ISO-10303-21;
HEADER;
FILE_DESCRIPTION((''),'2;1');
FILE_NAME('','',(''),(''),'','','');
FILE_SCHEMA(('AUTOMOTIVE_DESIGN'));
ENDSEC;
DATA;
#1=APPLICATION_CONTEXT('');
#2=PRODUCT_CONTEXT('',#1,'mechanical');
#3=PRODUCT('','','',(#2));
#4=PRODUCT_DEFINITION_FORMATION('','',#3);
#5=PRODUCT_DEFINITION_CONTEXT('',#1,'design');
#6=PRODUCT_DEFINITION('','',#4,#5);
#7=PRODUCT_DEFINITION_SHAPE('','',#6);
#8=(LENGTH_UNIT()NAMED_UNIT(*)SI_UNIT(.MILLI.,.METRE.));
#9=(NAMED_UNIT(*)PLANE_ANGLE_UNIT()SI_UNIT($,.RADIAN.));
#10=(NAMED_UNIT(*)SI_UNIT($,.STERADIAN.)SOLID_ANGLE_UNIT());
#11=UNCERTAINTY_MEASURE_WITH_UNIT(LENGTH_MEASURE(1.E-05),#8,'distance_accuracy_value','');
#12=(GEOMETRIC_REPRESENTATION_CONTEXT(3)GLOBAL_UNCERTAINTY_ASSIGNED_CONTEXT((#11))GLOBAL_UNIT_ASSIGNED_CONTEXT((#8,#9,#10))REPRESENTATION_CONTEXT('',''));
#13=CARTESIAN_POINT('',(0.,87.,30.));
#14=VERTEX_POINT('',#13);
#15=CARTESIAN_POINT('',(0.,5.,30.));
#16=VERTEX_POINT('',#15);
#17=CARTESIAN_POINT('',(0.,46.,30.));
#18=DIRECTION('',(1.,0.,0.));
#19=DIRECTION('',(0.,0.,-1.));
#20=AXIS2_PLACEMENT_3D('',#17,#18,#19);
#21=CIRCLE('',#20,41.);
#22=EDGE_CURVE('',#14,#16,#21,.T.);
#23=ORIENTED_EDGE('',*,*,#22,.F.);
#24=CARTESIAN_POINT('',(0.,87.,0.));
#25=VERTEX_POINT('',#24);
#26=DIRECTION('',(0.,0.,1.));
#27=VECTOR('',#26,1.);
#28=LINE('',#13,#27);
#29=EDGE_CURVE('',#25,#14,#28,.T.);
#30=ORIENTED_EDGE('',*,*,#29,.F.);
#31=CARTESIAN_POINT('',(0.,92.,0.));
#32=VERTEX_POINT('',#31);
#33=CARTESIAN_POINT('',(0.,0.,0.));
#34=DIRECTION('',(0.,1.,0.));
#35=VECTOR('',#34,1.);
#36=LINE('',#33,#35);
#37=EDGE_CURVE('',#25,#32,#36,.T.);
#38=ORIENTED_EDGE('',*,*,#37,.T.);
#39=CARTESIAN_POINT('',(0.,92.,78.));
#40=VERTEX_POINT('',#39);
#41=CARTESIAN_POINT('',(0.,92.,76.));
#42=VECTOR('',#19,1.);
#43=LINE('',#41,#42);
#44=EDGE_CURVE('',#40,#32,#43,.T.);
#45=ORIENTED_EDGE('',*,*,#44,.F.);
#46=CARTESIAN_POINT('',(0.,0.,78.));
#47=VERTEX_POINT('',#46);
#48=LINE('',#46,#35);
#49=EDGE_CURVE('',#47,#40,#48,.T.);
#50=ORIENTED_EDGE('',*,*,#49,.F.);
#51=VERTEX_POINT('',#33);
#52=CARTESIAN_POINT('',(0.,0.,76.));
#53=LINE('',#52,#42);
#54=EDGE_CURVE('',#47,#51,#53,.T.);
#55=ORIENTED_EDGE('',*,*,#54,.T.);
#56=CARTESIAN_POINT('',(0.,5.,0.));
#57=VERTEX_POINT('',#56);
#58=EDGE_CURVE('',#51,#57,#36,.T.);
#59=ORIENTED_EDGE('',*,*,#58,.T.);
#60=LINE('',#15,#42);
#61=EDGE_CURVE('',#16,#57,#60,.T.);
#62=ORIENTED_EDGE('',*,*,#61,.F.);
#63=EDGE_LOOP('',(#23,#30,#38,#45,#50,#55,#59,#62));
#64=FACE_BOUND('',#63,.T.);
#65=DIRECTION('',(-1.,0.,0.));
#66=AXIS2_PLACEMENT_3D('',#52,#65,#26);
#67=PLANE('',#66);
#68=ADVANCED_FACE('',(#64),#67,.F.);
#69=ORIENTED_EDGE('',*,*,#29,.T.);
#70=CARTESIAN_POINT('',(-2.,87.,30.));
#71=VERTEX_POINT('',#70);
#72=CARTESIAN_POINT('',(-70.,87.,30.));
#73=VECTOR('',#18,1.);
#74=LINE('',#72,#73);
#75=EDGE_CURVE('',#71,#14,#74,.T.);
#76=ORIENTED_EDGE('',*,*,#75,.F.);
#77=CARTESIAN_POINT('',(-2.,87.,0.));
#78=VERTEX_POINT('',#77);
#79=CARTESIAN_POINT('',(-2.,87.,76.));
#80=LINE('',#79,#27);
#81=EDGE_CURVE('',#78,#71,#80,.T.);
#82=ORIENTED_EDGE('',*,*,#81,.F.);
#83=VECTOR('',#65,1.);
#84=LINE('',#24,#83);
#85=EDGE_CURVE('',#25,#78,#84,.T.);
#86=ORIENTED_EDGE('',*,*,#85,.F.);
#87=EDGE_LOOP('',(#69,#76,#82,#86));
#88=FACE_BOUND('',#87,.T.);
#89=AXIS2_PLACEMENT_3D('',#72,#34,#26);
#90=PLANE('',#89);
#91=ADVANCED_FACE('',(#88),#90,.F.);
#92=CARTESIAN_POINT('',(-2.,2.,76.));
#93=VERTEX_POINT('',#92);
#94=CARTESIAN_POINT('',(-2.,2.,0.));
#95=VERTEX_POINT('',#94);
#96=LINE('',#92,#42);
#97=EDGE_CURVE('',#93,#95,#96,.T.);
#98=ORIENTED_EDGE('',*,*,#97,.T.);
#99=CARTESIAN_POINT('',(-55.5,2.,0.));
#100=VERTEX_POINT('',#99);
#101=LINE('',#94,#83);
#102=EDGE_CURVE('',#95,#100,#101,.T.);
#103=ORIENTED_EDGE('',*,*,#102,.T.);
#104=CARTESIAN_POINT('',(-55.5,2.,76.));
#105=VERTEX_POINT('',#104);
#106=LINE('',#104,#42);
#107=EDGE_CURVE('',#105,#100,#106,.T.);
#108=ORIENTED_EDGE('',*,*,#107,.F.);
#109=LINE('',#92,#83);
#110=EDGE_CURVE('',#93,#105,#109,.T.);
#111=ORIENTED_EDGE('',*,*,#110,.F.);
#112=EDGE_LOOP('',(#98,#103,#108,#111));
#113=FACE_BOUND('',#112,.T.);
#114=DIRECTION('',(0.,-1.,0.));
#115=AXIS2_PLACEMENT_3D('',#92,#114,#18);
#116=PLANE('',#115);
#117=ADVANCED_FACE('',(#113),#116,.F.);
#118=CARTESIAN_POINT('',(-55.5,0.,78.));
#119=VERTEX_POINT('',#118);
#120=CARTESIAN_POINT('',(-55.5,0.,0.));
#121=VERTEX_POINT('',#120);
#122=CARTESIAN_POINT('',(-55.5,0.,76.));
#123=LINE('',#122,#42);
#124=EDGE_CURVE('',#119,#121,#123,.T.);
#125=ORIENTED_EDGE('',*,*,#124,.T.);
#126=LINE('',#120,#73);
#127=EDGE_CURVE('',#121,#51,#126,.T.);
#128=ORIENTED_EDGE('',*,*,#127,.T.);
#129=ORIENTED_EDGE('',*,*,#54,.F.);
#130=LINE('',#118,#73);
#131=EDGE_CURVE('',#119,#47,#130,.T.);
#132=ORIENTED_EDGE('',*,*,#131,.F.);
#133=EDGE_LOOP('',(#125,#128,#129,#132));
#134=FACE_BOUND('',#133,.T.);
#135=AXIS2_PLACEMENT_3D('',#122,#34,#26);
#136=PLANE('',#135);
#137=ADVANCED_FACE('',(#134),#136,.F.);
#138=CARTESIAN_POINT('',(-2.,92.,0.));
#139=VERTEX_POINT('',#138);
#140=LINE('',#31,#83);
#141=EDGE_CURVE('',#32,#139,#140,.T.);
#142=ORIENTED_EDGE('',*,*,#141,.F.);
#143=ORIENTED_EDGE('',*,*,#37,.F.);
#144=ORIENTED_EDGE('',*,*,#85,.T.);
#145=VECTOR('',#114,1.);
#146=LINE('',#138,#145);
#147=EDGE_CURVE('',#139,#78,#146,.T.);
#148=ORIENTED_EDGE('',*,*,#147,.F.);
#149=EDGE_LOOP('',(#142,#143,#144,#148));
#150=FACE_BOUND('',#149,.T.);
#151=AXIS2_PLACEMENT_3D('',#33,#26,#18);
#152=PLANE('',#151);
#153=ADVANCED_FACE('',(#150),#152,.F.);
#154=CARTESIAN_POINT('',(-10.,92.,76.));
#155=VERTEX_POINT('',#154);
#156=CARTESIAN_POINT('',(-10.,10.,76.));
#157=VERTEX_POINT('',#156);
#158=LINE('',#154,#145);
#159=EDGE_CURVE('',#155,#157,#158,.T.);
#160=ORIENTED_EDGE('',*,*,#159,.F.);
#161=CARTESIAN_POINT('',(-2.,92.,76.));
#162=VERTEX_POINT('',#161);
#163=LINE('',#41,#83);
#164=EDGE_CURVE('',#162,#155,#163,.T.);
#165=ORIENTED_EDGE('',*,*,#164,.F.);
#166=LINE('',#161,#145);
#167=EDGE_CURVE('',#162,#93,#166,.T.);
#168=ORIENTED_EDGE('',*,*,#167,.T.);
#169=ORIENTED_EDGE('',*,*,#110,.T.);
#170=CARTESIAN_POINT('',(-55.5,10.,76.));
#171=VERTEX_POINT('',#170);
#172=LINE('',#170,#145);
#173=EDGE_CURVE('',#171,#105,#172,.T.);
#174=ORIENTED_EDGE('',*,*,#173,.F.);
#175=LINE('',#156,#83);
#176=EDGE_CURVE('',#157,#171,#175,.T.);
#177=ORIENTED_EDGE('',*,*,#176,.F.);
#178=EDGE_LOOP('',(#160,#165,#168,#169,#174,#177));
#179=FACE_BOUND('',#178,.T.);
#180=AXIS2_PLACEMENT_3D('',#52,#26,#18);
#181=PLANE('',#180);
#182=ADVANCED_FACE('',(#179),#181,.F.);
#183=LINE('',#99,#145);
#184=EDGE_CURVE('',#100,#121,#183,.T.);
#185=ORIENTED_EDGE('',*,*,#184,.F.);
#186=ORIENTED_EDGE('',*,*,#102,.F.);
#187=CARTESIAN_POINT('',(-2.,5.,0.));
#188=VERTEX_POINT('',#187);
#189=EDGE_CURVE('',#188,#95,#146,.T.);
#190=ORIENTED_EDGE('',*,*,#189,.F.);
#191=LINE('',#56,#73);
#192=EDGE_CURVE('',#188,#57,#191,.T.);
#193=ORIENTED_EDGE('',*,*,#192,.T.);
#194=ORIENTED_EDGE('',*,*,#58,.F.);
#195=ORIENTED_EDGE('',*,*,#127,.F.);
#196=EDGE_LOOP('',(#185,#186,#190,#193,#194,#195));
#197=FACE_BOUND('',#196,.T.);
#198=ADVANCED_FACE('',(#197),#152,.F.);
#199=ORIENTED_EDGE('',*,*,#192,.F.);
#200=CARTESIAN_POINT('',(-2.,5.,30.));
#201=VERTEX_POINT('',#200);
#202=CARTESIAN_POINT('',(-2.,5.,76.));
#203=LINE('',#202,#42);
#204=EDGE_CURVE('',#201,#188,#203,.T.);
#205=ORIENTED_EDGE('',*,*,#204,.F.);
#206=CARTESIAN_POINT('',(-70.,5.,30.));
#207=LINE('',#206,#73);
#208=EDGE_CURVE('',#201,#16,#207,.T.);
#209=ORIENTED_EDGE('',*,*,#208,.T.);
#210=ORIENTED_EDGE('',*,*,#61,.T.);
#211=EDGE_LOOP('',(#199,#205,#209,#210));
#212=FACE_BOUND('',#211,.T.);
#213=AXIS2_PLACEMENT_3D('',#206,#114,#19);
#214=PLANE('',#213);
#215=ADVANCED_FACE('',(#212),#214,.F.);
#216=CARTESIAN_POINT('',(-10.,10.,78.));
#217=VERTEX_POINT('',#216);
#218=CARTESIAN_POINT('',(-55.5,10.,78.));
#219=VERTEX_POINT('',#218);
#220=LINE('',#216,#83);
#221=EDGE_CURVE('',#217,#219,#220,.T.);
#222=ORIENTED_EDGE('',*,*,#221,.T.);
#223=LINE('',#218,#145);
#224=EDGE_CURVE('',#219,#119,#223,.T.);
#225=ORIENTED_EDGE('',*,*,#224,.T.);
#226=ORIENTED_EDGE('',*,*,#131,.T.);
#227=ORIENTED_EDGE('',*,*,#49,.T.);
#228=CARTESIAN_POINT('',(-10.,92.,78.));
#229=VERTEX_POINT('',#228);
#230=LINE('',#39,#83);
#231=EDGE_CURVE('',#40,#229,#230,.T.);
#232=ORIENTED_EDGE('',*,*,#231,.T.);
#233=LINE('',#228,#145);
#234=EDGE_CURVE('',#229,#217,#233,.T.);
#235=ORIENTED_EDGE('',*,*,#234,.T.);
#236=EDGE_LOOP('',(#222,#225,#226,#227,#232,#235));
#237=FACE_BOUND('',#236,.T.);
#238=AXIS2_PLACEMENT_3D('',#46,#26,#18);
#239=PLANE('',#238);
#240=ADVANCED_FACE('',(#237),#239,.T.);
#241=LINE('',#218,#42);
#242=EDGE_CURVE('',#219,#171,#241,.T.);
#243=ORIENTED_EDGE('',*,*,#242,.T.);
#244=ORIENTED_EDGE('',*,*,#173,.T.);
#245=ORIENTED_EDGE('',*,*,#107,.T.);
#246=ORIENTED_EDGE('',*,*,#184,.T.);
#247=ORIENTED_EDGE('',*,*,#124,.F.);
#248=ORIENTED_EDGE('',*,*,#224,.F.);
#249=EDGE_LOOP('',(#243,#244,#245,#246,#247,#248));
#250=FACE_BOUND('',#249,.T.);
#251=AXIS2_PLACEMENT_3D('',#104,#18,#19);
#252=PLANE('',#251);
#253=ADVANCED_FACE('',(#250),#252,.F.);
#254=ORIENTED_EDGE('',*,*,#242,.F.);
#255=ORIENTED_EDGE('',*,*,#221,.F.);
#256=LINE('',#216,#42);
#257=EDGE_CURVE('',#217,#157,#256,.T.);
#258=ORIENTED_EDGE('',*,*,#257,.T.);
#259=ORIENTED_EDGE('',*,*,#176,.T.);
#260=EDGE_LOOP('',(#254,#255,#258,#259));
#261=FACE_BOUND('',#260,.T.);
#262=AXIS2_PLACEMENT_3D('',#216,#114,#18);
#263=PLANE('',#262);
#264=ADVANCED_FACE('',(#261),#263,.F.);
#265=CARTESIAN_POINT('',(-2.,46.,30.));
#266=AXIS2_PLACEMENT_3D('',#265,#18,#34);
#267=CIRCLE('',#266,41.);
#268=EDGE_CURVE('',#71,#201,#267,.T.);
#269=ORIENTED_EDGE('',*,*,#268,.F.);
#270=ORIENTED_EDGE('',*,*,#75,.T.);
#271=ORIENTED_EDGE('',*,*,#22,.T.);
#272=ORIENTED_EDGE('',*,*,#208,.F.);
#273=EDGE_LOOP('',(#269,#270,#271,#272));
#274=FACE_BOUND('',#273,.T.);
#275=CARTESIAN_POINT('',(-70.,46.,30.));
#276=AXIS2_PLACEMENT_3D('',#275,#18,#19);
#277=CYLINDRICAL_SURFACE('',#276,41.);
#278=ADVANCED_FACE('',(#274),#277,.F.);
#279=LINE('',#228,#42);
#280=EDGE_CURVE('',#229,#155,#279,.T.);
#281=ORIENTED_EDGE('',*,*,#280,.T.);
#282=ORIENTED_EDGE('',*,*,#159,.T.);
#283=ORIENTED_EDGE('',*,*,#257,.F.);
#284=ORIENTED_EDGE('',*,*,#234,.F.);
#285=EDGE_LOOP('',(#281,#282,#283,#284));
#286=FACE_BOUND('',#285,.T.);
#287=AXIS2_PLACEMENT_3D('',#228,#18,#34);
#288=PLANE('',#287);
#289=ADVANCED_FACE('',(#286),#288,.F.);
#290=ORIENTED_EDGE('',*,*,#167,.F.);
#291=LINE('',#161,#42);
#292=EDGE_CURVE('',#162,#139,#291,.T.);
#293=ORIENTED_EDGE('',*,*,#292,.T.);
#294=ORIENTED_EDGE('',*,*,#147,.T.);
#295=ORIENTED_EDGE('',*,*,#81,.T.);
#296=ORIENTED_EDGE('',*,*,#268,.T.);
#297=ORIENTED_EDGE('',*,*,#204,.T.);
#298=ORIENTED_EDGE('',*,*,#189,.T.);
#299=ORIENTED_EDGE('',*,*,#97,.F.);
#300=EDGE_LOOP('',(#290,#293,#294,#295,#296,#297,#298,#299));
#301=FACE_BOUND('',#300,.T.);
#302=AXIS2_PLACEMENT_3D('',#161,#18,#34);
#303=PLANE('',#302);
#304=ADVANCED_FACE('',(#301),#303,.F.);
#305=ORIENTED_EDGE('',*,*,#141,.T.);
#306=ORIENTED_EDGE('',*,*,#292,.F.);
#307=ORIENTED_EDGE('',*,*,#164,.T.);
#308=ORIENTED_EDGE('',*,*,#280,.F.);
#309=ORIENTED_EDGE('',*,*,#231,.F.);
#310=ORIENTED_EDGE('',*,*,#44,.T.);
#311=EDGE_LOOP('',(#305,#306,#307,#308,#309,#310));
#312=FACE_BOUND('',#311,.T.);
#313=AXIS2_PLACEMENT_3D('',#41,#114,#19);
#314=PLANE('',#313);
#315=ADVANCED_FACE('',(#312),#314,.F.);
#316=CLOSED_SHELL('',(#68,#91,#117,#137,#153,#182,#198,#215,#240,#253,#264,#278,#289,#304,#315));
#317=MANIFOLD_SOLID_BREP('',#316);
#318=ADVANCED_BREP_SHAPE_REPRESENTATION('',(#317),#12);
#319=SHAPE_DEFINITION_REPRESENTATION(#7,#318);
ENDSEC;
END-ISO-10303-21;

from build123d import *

# Parameters (mm, degrees)
EXTRUDE_1_DEPTH     = 76
CUT_EXTRUDE_1_DEPTH = 70
EXTRUDE_2_DEPTH     = 2


with BuildPart() as part:
    # 草图1 → 凸台-拉伸1 (new body)
    with BuildSketch(Plane.XY):
        Polygon((-55.5, 0), (0, 0), (0, 92), (-2, 92), (-2, 2), (-55.5, 2), align=None)
    extrude(amount=EXTRUDE_1_DEPTH)

    # 草图2 → 切除-拉伸1 (cut)
    with BuildSketch(Plane(origin=(0, 0, 0), x_dir=(0, 0, -1), z_dir=(1, 0, 0))):
        with BuildLine():
            Line((-30, 5), (0, 5))
            Line((0, 5), (0, 87))
            Line((0, 87), (-30, 87))
            ThreePointArc((-30, 87), (-71, 46), (-30, 5))
        make_face()
    extrude(amount=-CUT_EXTRUDE_1_DEPTH, mode=Mode.SUBTRACT)

    # 草图3 → 凸台-拉伸2 (add)
    with BuildSketch(Plane.XY.offset(76)):
        Polygon((0, 92), (-10, 92), (-10, 10), (-55.5, 10), (-55.5, 0), (0, 0), align=None)
    extrude(amount=EXTRUDE_2_DEPTH)


solid = part.part
